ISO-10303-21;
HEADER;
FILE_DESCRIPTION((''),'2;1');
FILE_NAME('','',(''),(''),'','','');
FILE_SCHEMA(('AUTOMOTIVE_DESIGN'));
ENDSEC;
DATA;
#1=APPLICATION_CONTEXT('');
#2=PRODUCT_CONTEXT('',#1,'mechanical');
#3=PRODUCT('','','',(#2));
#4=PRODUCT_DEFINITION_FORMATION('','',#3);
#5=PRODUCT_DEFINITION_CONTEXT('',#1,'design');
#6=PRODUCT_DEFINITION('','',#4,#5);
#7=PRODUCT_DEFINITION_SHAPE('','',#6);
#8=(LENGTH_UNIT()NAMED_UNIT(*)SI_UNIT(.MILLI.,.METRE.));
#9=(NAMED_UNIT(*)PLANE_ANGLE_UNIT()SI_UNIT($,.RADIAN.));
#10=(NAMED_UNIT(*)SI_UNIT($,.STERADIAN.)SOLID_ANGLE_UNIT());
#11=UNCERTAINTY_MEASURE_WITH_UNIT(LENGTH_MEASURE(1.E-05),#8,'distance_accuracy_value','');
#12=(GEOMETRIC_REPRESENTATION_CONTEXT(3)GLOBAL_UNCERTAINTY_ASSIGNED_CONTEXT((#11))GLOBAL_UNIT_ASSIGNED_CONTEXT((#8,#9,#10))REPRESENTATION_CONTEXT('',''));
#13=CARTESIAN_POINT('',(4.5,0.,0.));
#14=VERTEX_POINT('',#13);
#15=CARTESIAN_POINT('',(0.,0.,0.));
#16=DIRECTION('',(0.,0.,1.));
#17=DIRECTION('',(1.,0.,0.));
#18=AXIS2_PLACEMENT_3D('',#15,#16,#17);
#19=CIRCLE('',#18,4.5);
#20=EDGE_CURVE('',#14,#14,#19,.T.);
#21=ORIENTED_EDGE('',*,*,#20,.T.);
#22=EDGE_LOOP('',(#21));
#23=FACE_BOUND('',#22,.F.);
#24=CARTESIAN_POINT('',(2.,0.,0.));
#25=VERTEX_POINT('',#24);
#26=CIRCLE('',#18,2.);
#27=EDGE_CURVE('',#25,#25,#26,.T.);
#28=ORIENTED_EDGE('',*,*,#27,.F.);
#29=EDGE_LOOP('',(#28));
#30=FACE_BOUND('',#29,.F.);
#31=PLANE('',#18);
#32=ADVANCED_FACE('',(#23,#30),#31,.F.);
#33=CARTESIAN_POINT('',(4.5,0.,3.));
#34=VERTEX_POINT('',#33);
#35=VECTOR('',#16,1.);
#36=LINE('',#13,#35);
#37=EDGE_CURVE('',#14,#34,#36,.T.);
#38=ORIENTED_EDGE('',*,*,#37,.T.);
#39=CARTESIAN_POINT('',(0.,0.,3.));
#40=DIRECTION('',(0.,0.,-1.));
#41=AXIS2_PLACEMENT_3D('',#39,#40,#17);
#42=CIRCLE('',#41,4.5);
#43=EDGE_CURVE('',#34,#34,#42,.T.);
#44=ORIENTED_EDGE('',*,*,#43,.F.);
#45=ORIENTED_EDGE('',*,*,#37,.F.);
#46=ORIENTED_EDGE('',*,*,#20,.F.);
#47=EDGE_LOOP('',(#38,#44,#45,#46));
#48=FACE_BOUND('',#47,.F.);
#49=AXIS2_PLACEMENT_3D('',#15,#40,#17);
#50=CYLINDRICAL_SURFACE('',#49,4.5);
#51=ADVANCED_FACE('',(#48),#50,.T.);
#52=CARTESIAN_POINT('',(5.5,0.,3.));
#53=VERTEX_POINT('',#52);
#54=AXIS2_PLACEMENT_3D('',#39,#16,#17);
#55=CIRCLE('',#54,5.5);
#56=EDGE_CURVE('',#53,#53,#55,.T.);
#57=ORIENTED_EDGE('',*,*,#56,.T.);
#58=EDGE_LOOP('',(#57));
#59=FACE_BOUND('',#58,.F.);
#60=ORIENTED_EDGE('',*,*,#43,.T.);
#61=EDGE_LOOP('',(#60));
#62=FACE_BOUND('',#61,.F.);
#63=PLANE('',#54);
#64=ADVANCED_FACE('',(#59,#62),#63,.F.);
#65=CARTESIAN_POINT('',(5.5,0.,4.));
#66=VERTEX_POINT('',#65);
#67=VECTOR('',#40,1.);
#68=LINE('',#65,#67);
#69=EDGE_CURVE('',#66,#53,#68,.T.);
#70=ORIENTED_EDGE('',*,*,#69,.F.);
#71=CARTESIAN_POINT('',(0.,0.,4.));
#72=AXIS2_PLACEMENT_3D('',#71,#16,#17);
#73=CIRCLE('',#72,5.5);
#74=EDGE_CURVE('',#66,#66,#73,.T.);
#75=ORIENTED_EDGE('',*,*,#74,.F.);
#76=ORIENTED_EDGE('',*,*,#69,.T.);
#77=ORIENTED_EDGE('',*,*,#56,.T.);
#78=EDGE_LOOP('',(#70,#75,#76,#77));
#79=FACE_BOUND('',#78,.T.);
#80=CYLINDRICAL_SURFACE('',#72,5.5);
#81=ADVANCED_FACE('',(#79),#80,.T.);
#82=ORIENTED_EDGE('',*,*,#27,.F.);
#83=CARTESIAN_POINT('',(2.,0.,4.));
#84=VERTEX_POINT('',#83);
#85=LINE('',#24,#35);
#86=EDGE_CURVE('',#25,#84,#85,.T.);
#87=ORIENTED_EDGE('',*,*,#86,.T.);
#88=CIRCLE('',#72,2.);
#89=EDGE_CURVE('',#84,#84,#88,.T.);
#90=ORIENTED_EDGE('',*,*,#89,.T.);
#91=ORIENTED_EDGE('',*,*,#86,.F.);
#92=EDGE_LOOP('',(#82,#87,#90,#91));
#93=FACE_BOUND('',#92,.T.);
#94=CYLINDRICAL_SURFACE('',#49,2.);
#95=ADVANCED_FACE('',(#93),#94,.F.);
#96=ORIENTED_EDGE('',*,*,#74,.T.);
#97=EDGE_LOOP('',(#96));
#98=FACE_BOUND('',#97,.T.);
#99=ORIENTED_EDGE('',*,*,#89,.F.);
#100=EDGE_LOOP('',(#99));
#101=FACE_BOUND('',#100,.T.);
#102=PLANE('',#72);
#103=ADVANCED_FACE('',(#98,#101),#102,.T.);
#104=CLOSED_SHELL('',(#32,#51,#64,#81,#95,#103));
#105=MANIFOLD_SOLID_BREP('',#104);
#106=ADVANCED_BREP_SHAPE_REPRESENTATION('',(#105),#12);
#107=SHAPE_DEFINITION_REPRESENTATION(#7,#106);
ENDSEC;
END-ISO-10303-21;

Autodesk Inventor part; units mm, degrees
ref_plane "YZ Plane" through (0, 0, 0) normal (1, 0, 0) x (0, 1, 0)
ref_plane "XZ Plane" through (0, 0, 0) normal (0, 1, 0) x (-1, 0, 0)
ref_plane "XY Plane" through (0, 0, 0) normal (0, 0, 1) x (1, 0, 0)
sketch "スケッチ1" plane through (0, 0, 0) normal (0, 0, 1) x (1, 0, 0)
  circle A0 centre (0, 0) radius 2
  circle A1 centre (0, 0) radius 4.5
  dimension "d0" = 4
  dimension "d1" = 9
extrude "押し出し1" add sketch "スケッチ1" along normal blind 4
sketch "スケッチ2" plane through (0, 0, 4) normal (0, 0, 1) x (1, 0, 0)
  circle A0 centre (0, 0) radius 2 projected
  circle A1 centre (0, 0) radius 5.5
  circle A2 centre (0, 0) radius 4.5 projected
  dimension "d7" = 1
extrude "押し出し2" add sketch "スケッチ2" against normal blind 1 contours A1 | A2
properties part number "ベアリングフランジ付き040904" material "鋼、高強度、低合金"
